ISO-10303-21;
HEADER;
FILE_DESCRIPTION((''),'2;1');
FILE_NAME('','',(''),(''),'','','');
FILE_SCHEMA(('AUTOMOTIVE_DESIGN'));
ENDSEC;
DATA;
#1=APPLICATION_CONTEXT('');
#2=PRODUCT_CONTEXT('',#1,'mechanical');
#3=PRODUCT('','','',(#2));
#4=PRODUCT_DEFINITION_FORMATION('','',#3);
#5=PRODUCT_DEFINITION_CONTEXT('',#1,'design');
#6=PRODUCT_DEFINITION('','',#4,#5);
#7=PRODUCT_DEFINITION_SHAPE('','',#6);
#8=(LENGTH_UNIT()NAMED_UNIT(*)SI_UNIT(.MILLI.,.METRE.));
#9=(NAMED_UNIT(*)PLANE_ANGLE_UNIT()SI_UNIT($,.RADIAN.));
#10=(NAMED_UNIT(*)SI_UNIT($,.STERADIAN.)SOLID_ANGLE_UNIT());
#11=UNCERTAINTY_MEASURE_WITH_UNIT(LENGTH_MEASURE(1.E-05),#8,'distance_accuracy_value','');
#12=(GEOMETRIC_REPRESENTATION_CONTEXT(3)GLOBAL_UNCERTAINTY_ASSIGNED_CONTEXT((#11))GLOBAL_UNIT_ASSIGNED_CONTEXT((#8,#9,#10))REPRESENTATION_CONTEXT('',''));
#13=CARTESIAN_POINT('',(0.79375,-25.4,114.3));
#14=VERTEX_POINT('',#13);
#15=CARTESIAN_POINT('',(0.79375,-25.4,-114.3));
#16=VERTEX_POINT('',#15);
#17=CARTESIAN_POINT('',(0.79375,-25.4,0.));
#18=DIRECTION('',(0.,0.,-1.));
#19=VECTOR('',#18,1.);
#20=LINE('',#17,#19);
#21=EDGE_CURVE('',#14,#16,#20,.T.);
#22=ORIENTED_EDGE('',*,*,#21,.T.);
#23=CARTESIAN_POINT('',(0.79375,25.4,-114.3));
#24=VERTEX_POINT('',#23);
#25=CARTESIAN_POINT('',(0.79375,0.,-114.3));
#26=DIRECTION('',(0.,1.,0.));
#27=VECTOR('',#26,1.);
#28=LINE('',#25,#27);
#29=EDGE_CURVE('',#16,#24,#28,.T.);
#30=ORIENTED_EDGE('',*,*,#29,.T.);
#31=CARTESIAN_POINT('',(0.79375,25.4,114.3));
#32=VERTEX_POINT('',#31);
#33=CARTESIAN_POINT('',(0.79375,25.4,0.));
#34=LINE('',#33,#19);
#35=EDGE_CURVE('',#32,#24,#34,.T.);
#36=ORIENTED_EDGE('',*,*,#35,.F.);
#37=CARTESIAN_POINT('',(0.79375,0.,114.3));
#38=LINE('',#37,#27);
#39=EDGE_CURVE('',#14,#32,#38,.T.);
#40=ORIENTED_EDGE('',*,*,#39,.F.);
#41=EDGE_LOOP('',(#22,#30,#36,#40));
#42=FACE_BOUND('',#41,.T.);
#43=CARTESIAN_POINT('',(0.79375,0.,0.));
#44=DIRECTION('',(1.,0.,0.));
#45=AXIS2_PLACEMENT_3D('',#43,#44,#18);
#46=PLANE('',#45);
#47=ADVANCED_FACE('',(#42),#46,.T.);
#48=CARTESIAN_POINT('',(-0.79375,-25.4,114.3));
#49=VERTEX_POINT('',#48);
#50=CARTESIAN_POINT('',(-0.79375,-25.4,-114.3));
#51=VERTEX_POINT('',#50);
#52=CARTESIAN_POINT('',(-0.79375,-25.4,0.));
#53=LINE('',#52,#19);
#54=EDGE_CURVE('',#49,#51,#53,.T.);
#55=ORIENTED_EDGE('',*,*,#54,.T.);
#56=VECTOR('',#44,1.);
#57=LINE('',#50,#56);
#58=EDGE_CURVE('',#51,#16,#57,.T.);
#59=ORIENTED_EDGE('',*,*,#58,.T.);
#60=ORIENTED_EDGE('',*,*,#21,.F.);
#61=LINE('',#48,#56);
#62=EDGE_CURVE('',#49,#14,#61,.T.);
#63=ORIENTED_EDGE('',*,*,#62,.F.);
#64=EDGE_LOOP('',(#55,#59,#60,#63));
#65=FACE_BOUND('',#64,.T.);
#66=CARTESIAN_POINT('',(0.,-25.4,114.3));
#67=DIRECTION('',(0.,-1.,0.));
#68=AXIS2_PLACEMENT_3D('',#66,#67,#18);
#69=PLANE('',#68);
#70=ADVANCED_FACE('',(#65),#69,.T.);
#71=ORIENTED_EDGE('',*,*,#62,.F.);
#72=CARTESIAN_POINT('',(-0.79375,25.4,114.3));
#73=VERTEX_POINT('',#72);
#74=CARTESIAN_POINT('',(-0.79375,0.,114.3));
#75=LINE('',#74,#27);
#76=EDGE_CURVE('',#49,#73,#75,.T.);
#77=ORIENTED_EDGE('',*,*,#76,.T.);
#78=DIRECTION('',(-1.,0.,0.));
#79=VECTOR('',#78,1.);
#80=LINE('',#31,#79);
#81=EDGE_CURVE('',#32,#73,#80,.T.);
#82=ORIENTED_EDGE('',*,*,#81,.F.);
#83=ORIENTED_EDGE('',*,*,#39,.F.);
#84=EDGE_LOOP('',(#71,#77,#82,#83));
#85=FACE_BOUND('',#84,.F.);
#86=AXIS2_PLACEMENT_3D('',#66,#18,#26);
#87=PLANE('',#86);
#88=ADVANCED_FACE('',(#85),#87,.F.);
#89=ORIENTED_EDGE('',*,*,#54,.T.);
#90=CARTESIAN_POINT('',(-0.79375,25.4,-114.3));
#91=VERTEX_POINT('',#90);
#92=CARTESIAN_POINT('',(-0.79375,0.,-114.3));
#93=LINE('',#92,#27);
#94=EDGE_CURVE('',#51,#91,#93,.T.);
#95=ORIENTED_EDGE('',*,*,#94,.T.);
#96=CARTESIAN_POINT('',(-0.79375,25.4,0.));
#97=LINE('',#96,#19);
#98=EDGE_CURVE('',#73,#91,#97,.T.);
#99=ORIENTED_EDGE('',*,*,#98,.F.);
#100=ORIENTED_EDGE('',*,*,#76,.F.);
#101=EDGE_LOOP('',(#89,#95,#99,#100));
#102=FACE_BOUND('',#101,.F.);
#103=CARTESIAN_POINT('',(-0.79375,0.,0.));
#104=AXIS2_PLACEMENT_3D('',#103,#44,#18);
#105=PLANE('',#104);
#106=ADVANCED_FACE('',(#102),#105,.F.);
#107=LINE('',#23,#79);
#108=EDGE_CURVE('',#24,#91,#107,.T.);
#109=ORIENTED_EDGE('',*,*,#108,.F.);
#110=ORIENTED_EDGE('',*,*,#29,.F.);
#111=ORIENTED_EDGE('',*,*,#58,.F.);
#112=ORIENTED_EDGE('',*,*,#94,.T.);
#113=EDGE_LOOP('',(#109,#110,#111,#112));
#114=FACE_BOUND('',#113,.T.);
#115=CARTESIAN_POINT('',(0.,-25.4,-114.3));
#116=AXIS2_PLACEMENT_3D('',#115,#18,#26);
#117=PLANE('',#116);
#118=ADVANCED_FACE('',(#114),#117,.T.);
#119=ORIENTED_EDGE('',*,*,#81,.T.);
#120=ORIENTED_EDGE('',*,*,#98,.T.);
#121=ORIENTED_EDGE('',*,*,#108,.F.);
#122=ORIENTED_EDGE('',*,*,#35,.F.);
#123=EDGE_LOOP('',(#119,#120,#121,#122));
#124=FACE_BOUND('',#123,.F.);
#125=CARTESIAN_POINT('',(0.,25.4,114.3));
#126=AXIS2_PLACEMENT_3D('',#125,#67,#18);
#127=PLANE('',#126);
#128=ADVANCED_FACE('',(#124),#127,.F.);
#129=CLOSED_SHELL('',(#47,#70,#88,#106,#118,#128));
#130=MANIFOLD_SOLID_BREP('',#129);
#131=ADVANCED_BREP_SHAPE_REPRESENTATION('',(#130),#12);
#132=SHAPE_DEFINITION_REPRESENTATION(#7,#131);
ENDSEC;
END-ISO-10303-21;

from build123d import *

# Parameters (mm, degrees)
SKETCH1_W           = 228.6
SKETCH1_H           = 50.8
BOSS_EXTRUDE1_DEPTH = 0.79375


with BuildPart() as part:
    # Sketch1 → Boss-Extrude1 (new body, symmetric)
    with BuildSketch(Plane(origin=(0, 0, 0), x_dir=(0, 0, -1), z_dir=(1, 0, 0))):
        Rectangle(SKETCH1_W, SKETCH1_H)
    extrude(amount=BOSS_EXTRUDE1_DEPTH, both=True)


solid = part.part
